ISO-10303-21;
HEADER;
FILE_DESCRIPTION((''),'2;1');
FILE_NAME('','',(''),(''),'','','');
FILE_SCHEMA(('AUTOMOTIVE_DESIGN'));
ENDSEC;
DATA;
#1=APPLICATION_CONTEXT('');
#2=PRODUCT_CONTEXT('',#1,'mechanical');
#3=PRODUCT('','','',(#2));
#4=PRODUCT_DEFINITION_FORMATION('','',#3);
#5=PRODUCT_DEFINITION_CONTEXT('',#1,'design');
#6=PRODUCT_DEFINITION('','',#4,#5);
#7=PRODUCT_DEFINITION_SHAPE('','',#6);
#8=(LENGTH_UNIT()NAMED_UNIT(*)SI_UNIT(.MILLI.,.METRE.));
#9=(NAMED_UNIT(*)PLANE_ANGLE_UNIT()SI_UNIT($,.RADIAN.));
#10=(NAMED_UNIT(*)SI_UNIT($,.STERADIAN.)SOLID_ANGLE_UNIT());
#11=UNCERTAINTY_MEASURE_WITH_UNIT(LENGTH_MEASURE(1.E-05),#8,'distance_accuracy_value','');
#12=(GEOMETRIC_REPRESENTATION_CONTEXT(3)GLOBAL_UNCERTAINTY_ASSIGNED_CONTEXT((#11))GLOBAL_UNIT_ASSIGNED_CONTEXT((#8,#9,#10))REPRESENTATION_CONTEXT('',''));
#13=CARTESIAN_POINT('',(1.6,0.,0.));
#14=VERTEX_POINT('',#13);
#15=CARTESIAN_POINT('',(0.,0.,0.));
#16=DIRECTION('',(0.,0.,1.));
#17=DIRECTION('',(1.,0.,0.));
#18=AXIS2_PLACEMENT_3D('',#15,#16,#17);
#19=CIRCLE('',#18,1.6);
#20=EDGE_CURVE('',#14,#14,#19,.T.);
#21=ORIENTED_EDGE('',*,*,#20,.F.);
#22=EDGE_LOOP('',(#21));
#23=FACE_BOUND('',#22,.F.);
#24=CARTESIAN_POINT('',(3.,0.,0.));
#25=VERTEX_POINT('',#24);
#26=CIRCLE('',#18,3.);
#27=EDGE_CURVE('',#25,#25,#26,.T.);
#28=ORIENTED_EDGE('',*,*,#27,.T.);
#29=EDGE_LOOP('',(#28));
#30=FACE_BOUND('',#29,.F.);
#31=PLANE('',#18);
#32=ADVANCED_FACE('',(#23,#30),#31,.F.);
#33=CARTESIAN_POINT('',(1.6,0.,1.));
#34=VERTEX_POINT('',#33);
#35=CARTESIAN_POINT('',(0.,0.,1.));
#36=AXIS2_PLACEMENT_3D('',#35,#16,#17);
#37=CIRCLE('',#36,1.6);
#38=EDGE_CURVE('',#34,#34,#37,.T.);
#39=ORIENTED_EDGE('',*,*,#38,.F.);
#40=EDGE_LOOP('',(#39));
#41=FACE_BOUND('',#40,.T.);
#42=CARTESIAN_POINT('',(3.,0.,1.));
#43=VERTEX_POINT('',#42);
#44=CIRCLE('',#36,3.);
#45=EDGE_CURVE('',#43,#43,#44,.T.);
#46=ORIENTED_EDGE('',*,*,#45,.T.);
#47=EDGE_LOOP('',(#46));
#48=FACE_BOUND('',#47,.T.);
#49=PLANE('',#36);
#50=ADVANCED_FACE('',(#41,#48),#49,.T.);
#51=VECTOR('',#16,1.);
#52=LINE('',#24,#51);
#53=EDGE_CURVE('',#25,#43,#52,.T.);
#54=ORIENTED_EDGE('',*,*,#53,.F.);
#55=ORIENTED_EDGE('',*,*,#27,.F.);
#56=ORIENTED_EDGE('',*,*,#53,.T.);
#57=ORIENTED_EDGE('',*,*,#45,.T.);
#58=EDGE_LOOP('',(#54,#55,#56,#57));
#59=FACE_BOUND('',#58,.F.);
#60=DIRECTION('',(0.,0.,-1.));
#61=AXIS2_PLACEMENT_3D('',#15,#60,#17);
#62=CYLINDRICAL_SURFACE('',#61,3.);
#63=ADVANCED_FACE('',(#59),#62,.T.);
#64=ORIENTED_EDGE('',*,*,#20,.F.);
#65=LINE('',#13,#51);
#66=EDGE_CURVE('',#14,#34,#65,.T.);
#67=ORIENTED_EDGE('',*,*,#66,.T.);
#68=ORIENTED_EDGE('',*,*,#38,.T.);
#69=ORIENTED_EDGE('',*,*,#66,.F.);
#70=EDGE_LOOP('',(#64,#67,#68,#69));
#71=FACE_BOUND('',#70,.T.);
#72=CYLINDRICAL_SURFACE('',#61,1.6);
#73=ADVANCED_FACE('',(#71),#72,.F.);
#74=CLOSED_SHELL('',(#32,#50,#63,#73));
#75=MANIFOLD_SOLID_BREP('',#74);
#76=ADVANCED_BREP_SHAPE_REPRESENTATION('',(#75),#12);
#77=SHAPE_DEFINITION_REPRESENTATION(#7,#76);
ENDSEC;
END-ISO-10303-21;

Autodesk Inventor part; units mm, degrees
ref_plane "YZ Plane" through (0, 0, 0) normal (1, 0, 0) x (0, 1, 0)
ref_plane "XZ Plane" through (0, 0, 0) normal (0, 1, 0) x (-1, 0, 0)
ref_plane "XY Plane" through (0, 0, 0) normal (0, 0, 1) x (1, 0, 0)
sketch "スケッチ1" plane through (0, 0, 0) normal (0, 0, 1) x (1, 0, 0)
  circle A0 centre (0, 0) radius 1.6
  circle A1 centre (0, 0) radius 3
  dimension "d0" = 3.2
  dimension "d1" = 6
extrude "押し出し1" add sketch "スケッチ1" along normal blind 1
properties part number "M3ワッシャ　1" material "アセタール樹脂、白"
